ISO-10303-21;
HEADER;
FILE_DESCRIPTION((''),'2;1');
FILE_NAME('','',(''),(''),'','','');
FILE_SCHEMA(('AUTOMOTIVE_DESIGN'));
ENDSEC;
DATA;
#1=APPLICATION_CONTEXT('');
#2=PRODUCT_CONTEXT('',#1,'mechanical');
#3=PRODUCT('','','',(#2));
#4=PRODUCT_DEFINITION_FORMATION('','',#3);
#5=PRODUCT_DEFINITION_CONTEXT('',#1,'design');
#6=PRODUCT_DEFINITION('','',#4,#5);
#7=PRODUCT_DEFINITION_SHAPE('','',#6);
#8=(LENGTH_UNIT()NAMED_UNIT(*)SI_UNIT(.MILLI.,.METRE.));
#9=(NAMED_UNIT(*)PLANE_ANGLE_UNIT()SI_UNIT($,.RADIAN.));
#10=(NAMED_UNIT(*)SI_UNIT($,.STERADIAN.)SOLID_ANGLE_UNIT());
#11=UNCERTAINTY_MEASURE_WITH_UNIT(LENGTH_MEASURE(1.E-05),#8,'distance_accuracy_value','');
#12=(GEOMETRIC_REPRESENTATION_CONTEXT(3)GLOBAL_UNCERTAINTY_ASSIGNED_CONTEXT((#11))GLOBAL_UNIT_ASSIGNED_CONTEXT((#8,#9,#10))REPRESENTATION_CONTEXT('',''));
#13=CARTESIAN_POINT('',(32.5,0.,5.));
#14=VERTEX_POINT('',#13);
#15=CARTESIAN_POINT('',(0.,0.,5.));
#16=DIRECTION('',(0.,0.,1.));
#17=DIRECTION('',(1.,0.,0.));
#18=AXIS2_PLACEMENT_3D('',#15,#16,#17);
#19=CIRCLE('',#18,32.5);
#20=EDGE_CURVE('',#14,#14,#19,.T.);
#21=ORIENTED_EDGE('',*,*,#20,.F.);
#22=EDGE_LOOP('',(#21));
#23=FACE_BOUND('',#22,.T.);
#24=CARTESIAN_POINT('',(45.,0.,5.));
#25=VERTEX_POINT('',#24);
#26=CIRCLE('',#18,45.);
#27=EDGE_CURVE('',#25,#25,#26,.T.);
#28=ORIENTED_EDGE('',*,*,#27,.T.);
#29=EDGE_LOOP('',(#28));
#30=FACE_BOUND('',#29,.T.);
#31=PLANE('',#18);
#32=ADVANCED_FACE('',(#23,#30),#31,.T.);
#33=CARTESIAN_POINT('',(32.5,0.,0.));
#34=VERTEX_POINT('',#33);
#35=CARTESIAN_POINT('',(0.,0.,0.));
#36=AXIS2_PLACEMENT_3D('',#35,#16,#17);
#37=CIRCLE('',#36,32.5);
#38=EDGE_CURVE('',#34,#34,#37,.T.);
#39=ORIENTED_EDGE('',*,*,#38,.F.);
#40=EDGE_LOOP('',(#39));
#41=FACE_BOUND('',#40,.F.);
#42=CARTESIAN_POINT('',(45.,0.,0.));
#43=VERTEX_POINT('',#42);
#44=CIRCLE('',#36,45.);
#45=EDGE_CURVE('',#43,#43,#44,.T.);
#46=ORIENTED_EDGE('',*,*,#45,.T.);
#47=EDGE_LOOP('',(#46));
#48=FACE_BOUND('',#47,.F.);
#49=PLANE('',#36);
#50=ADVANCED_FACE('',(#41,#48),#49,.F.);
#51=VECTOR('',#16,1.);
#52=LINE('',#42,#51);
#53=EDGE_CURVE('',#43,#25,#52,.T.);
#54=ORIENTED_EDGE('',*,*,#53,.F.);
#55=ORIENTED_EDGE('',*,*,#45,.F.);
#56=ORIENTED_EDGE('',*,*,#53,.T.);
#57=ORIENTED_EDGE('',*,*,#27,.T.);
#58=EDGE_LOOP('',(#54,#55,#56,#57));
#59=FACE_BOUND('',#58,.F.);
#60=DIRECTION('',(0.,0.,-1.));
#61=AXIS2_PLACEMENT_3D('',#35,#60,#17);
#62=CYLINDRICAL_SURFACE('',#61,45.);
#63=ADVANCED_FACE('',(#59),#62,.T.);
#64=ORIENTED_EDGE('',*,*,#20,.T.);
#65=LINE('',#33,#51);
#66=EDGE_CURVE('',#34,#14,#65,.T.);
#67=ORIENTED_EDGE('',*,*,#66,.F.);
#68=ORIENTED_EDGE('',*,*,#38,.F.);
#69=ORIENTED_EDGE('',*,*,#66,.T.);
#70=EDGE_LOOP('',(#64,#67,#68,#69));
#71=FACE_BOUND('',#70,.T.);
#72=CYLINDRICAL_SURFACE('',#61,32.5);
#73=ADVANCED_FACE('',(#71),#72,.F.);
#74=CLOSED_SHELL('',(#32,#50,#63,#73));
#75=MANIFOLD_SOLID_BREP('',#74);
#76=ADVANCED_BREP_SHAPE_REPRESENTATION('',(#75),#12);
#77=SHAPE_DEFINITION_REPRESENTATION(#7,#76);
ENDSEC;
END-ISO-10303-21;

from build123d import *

# Parameters (mm, degrees)
SKETCH008_R   = 45
SKETCH008_R_2 = 32.5
PAD007_DEPTH  = 5


with BuildPart() as part:
    # Sketch008 → Pad007 (new body)
    with BuildSketch(Plane.XY):
        Circle(SKETCH008_R)
        Circle(SKETCH008_R_2, mode=Mode.SUBTRACT)
    extrude(amount=PAD007_DEPTH)


solid = part.part
